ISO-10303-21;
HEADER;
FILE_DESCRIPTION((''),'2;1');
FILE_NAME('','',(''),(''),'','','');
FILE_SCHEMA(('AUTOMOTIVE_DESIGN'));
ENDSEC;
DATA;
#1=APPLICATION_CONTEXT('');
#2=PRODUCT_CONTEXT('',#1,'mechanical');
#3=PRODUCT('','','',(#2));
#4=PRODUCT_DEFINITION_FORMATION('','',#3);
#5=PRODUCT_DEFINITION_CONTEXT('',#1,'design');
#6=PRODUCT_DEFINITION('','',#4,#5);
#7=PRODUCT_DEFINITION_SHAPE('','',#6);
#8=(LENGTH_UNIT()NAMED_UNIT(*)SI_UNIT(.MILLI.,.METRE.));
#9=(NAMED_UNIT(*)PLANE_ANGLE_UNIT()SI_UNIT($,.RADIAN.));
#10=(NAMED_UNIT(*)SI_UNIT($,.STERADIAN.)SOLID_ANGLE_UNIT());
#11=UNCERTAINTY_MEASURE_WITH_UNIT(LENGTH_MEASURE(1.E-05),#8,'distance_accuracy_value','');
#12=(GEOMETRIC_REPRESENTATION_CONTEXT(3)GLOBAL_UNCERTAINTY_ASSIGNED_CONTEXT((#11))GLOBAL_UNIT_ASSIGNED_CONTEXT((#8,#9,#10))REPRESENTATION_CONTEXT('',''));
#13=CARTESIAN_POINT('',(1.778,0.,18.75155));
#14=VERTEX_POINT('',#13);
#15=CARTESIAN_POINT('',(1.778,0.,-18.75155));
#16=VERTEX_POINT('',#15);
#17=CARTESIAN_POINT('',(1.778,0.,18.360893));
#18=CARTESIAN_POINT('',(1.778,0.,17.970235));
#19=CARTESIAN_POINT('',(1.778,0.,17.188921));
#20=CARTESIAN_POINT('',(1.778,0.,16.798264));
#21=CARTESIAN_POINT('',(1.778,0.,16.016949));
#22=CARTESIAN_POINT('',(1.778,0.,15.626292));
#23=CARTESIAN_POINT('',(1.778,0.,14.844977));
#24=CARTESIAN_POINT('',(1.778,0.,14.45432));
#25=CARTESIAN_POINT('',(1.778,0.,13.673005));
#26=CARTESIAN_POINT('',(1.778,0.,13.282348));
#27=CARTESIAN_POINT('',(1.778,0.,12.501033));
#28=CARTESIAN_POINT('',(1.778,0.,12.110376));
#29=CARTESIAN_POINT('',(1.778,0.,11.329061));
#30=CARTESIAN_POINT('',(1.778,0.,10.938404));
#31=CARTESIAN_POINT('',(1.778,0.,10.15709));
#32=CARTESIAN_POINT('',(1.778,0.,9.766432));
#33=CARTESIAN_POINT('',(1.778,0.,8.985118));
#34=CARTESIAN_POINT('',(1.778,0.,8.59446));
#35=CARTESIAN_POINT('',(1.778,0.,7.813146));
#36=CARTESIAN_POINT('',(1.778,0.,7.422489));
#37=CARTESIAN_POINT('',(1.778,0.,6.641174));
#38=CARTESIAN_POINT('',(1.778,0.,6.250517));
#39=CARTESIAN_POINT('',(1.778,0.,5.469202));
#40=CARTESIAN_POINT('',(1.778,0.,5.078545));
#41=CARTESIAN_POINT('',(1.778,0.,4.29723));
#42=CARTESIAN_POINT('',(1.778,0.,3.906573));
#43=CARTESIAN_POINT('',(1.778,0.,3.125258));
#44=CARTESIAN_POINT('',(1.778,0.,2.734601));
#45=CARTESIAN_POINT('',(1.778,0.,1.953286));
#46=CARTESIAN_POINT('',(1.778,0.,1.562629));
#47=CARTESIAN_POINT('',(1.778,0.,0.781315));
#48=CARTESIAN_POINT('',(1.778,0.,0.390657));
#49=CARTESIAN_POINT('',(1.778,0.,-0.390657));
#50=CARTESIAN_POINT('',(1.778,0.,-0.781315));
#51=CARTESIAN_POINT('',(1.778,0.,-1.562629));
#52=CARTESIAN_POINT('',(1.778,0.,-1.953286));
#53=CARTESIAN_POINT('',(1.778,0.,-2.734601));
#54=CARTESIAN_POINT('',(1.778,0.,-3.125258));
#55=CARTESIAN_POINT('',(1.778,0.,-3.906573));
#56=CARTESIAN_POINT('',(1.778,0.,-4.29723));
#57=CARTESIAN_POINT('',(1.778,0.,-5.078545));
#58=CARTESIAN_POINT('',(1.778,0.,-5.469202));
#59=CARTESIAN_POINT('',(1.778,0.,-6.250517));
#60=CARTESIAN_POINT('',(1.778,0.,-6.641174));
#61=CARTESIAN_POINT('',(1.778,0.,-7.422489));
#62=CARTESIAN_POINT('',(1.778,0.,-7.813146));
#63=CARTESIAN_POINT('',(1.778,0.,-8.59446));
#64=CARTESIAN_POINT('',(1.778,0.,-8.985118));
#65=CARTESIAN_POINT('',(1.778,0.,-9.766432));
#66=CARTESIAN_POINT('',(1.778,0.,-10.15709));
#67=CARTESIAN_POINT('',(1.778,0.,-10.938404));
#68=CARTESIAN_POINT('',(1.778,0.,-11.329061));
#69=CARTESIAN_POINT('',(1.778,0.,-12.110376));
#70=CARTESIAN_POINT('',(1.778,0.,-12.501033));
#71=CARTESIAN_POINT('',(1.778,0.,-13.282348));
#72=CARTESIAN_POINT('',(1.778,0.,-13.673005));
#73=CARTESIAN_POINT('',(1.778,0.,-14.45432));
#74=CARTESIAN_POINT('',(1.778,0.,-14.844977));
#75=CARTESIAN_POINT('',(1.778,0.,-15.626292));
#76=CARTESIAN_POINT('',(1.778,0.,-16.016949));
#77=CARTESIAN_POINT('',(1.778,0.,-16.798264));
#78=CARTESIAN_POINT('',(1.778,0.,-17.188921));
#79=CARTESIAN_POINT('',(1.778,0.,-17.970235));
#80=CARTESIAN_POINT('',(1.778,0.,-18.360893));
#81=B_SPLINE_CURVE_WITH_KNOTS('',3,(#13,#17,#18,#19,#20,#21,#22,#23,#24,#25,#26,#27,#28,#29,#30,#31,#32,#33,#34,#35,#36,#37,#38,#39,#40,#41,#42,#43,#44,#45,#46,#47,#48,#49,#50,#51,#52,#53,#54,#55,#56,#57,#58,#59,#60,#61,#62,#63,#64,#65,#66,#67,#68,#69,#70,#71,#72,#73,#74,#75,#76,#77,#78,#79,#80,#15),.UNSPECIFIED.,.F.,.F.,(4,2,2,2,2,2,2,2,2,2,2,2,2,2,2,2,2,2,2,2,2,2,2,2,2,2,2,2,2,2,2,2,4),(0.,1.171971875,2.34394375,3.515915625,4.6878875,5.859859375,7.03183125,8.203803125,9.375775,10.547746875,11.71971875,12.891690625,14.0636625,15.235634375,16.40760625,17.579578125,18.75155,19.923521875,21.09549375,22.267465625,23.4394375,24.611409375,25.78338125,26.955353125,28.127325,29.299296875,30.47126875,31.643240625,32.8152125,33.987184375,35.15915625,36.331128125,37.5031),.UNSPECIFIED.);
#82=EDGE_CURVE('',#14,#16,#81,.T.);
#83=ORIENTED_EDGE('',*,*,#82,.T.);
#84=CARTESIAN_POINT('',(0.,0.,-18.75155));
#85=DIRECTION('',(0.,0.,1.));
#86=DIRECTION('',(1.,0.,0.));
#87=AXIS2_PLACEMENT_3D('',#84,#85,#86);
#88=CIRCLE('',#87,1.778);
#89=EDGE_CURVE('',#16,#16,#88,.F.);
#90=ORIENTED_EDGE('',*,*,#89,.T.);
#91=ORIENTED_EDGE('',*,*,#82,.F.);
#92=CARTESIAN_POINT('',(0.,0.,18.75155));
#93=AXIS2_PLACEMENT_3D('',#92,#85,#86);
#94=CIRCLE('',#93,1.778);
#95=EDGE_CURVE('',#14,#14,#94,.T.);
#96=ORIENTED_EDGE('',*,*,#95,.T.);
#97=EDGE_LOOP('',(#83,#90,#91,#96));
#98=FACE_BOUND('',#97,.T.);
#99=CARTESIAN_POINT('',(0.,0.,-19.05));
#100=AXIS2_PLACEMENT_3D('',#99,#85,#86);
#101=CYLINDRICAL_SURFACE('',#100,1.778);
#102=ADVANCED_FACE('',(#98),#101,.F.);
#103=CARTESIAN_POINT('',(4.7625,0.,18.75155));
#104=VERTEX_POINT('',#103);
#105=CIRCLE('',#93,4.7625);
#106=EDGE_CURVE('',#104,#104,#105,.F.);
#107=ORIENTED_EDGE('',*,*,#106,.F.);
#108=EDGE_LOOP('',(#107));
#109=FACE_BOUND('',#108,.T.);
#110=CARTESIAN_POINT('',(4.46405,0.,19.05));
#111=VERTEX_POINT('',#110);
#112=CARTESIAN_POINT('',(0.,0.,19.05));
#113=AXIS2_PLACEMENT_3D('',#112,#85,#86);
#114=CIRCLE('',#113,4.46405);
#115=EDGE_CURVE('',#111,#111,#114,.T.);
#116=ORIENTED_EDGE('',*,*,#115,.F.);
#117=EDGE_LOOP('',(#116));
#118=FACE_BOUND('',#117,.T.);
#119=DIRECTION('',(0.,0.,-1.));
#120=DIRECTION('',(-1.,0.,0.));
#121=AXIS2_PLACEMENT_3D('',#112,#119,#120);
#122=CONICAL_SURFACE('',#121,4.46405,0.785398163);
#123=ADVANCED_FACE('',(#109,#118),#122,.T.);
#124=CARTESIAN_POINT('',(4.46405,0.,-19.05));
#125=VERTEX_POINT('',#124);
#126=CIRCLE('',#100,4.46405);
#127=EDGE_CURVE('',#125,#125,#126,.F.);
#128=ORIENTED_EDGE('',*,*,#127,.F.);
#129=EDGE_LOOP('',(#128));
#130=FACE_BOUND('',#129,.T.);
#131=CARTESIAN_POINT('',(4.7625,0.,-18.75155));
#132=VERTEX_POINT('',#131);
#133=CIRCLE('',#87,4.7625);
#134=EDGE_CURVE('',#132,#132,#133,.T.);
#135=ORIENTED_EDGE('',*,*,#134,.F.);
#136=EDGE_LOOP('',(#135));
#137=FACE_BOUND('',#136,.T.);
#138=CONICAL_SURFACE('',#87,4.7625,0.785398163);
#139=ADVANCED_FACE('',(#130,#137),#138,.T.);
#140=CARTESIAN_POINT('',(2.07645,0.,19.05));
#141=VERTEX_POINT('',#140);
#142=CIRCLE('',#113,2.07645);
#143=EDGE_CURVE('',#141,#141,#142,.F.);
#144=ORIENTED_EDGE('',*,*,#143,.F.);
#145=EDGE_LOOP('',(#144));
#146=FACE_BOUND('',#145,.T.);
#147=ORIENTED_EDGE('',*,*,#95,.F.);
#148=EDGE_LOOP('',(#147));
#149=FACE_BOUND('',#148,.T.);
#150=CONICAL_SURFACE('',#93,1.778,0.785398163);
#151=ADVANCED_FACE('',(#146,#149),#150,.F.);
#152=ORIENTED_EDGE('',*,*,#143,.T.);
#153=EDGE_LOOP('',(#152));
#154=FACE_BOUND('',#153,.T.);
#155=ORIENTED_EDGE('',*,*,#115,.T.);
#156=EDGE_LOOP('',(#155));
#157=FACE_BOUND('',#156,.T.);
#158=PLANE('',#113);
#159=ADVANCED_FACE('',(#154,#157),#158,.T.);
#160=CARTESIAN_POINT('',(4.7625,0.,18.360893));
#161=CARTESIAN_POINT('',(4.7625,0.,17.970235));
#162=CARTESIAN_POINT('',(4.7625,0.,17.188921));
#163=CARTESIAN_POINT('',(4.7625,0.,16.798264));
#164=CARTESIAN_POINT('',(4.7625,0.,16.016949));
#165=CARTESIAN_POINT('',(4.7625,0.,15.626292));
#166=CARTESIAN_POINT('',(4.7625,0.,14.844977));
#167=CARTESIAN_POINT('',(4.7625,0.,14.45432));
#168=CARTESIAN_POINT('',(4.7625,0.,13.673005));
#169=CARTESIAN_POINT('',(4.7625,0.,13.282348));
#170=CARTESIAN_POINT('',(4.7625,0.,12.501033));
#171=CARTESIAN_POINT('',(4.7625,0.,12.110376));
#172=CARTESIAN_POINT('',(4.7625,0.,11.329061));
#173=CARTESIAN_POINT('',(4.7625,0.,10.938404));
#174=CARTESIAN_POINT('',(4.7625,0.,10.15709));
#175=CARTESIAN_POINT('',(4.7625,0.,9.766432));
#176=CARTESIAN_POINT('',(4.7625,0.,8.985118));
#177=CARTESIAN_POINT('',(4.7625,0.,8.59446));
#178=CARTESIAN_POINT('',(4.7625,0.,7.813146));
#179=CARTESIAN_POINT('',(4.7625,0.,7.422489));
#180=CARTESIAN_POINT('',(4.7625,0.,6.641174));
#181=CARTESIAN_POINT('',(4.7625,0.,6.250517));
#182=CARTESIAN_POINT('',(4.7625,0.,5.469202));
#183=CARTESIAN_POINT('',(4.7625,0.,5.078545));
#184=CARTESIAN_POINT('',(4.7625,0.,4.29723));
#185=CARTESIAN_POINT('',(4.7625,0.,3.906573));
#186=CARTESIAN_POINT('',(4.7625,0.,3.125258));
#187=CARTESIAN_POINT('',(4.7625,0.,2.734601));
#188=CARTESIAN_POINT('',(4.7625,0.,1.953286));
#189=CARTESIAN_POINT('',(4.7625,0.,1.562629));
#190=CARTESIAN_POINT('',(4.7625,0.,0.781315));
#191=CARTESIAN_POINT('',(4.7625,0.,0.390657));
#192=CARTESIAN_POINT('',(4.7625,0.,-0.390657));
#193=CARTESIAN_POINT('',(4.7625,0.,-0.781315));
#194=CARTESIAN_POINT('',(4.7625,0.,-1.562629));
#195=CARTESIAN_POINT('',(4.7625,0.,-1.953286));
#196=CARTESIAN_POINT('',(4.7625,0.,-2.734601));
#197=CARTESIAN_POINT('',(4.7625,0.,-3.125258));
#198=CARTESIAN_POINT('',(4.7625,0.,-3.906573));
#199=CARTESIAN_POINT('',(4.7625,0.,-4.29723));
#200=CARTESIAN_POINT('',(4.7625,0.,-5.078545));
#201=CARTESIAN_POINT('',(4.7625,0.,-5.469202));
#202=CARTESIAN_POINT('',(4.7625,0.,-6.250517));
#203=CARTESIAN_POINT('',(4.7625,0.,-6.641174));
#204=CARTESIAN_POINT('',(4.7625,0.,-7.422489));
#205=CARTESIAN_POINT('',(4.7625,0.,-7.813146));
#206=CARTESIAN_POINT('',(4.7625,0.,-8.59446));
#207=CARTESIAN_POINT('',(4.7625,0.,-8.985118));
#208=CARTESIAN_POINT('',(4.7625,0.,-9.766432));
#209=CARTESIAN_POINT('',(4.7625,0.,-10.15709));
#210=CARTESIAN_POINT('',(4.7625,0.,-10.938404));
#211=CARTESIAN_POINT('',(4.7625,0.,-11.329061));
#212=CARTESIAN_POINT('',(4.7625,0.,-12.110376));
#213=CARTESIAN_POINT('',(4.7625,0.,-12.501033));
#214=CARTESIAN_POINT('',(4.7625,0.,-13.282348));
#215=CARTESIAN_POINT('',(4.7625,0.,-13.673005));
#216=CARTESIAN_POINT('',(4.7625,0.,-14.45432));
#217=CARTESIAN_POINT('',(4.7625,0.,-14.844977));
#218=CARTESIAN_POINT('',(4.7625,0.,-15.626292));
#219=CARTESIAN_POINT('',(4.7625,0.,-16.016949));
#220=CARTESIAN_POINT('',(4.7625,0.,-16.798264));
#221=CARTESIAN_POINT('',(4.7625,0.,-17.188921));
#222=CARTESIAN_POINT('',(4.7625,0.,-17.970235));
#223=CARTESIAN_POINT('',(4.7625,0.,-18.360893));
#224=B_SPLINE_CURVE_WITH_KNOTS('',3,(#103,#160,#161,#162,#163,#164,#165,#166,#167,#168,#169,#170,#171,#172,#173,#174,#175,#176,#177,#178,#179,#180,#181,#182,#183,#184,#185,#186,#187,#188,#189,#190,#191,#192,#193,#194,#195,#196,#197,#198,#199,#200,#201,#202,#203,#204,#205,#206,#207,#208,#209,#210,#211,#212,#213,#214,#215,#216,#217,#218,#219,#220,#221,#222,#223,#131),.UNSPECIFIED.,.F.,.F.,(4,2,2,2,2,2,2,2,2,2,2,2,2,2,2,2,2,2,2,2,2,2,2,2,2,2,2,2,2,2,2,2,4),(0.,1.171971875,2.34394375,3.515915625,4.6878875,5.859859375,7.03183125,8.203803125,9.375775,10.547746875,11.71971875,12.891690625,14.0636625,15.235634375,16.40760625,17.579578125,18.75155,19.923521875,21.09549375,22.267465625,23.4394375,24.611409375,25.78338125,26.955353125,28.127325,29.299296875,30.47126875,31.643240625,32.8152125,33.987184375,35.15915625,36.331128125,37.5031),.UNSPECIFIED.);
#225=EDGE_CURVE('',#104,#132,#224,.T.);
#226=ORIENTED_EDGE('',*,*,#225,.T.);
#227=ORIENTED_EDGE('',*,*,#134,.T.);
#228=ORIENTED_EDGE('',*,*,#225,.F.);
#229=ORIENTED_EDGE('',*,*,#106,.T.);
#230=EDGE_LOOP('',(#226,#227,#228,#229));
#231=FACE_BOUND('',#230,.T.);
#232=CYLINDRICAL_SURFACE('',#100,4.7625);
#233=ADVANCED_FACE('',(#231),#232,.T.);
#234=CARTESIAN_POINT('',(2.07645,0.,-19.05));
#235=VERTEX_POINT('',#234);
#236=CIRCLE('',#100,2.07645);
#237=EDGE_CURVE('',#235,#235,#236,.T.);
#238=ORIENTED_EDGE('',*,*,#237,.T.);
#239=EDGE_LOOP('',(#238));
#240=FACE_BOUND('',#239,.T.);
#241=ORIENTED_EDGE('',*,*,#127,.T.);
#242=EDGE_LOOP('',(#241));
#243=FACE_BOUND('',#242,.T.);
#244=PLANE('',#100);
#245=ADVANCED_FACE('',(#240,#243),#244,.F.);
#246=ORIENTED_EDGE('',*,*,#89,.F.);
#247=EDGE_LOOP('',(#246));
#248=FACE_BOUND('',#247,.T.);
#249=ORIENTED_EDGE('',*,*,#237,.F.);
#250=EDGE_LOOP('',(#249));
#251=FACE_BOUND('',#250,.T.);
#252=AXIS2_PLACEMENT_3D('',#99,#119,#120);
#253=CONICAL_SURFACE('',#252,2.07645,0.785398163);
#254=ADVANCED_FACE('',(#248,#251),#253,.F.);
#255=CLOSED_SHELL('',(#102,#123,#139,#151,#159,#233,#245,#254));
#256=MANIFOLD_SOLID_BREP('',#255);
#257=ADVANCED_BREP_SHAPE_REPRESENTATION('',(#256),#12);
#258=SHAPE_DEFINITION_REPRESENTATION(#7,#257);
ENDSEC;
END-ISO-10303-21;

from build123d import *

# Parameters (mm, degrees)
BOSS_EXTRUDE1_DEPTH      = 19.05
BOSS_EXTRUDE1_DEPTH_BACK = 19.05
SKETCH3_R                = 4.7625
SKETCH3_R_2              = 1.778
CHAMFER1_SIZE            = 0.29845


with BuildPart() as part:
    # Sketch3 → Boss-Extrude1 (new, two sides: drawn at the far end of the back side and taken through both)
    with BuildSketch(Plane.XY.offset(-BOSS_EXTRUDE1_DEPTH_BACK)):
        Circle(SKETCH3_R)
        Circle(SKETCH3_R_2, mode=Mode.SUBTRACT)
    extrude(amount=BOSS_EXTRUDE1_DEPTH + BOSS_EXTRUDE1_DEPTH_BACK)

    # Chamfer1
    chamfer1_edges = [part.edges().sort_by_distance(p)[0] for p in [
        (-4.7625, 0, -19.05),
        (-1.778, 0, -19.05),
        (-4.7625, 0, 19.05),
        (-1.778, 0, 19.05),
    ]]
    chamfer(chamfer1_edges, length=CHAMFER1_SIZE)


solid = part.part
